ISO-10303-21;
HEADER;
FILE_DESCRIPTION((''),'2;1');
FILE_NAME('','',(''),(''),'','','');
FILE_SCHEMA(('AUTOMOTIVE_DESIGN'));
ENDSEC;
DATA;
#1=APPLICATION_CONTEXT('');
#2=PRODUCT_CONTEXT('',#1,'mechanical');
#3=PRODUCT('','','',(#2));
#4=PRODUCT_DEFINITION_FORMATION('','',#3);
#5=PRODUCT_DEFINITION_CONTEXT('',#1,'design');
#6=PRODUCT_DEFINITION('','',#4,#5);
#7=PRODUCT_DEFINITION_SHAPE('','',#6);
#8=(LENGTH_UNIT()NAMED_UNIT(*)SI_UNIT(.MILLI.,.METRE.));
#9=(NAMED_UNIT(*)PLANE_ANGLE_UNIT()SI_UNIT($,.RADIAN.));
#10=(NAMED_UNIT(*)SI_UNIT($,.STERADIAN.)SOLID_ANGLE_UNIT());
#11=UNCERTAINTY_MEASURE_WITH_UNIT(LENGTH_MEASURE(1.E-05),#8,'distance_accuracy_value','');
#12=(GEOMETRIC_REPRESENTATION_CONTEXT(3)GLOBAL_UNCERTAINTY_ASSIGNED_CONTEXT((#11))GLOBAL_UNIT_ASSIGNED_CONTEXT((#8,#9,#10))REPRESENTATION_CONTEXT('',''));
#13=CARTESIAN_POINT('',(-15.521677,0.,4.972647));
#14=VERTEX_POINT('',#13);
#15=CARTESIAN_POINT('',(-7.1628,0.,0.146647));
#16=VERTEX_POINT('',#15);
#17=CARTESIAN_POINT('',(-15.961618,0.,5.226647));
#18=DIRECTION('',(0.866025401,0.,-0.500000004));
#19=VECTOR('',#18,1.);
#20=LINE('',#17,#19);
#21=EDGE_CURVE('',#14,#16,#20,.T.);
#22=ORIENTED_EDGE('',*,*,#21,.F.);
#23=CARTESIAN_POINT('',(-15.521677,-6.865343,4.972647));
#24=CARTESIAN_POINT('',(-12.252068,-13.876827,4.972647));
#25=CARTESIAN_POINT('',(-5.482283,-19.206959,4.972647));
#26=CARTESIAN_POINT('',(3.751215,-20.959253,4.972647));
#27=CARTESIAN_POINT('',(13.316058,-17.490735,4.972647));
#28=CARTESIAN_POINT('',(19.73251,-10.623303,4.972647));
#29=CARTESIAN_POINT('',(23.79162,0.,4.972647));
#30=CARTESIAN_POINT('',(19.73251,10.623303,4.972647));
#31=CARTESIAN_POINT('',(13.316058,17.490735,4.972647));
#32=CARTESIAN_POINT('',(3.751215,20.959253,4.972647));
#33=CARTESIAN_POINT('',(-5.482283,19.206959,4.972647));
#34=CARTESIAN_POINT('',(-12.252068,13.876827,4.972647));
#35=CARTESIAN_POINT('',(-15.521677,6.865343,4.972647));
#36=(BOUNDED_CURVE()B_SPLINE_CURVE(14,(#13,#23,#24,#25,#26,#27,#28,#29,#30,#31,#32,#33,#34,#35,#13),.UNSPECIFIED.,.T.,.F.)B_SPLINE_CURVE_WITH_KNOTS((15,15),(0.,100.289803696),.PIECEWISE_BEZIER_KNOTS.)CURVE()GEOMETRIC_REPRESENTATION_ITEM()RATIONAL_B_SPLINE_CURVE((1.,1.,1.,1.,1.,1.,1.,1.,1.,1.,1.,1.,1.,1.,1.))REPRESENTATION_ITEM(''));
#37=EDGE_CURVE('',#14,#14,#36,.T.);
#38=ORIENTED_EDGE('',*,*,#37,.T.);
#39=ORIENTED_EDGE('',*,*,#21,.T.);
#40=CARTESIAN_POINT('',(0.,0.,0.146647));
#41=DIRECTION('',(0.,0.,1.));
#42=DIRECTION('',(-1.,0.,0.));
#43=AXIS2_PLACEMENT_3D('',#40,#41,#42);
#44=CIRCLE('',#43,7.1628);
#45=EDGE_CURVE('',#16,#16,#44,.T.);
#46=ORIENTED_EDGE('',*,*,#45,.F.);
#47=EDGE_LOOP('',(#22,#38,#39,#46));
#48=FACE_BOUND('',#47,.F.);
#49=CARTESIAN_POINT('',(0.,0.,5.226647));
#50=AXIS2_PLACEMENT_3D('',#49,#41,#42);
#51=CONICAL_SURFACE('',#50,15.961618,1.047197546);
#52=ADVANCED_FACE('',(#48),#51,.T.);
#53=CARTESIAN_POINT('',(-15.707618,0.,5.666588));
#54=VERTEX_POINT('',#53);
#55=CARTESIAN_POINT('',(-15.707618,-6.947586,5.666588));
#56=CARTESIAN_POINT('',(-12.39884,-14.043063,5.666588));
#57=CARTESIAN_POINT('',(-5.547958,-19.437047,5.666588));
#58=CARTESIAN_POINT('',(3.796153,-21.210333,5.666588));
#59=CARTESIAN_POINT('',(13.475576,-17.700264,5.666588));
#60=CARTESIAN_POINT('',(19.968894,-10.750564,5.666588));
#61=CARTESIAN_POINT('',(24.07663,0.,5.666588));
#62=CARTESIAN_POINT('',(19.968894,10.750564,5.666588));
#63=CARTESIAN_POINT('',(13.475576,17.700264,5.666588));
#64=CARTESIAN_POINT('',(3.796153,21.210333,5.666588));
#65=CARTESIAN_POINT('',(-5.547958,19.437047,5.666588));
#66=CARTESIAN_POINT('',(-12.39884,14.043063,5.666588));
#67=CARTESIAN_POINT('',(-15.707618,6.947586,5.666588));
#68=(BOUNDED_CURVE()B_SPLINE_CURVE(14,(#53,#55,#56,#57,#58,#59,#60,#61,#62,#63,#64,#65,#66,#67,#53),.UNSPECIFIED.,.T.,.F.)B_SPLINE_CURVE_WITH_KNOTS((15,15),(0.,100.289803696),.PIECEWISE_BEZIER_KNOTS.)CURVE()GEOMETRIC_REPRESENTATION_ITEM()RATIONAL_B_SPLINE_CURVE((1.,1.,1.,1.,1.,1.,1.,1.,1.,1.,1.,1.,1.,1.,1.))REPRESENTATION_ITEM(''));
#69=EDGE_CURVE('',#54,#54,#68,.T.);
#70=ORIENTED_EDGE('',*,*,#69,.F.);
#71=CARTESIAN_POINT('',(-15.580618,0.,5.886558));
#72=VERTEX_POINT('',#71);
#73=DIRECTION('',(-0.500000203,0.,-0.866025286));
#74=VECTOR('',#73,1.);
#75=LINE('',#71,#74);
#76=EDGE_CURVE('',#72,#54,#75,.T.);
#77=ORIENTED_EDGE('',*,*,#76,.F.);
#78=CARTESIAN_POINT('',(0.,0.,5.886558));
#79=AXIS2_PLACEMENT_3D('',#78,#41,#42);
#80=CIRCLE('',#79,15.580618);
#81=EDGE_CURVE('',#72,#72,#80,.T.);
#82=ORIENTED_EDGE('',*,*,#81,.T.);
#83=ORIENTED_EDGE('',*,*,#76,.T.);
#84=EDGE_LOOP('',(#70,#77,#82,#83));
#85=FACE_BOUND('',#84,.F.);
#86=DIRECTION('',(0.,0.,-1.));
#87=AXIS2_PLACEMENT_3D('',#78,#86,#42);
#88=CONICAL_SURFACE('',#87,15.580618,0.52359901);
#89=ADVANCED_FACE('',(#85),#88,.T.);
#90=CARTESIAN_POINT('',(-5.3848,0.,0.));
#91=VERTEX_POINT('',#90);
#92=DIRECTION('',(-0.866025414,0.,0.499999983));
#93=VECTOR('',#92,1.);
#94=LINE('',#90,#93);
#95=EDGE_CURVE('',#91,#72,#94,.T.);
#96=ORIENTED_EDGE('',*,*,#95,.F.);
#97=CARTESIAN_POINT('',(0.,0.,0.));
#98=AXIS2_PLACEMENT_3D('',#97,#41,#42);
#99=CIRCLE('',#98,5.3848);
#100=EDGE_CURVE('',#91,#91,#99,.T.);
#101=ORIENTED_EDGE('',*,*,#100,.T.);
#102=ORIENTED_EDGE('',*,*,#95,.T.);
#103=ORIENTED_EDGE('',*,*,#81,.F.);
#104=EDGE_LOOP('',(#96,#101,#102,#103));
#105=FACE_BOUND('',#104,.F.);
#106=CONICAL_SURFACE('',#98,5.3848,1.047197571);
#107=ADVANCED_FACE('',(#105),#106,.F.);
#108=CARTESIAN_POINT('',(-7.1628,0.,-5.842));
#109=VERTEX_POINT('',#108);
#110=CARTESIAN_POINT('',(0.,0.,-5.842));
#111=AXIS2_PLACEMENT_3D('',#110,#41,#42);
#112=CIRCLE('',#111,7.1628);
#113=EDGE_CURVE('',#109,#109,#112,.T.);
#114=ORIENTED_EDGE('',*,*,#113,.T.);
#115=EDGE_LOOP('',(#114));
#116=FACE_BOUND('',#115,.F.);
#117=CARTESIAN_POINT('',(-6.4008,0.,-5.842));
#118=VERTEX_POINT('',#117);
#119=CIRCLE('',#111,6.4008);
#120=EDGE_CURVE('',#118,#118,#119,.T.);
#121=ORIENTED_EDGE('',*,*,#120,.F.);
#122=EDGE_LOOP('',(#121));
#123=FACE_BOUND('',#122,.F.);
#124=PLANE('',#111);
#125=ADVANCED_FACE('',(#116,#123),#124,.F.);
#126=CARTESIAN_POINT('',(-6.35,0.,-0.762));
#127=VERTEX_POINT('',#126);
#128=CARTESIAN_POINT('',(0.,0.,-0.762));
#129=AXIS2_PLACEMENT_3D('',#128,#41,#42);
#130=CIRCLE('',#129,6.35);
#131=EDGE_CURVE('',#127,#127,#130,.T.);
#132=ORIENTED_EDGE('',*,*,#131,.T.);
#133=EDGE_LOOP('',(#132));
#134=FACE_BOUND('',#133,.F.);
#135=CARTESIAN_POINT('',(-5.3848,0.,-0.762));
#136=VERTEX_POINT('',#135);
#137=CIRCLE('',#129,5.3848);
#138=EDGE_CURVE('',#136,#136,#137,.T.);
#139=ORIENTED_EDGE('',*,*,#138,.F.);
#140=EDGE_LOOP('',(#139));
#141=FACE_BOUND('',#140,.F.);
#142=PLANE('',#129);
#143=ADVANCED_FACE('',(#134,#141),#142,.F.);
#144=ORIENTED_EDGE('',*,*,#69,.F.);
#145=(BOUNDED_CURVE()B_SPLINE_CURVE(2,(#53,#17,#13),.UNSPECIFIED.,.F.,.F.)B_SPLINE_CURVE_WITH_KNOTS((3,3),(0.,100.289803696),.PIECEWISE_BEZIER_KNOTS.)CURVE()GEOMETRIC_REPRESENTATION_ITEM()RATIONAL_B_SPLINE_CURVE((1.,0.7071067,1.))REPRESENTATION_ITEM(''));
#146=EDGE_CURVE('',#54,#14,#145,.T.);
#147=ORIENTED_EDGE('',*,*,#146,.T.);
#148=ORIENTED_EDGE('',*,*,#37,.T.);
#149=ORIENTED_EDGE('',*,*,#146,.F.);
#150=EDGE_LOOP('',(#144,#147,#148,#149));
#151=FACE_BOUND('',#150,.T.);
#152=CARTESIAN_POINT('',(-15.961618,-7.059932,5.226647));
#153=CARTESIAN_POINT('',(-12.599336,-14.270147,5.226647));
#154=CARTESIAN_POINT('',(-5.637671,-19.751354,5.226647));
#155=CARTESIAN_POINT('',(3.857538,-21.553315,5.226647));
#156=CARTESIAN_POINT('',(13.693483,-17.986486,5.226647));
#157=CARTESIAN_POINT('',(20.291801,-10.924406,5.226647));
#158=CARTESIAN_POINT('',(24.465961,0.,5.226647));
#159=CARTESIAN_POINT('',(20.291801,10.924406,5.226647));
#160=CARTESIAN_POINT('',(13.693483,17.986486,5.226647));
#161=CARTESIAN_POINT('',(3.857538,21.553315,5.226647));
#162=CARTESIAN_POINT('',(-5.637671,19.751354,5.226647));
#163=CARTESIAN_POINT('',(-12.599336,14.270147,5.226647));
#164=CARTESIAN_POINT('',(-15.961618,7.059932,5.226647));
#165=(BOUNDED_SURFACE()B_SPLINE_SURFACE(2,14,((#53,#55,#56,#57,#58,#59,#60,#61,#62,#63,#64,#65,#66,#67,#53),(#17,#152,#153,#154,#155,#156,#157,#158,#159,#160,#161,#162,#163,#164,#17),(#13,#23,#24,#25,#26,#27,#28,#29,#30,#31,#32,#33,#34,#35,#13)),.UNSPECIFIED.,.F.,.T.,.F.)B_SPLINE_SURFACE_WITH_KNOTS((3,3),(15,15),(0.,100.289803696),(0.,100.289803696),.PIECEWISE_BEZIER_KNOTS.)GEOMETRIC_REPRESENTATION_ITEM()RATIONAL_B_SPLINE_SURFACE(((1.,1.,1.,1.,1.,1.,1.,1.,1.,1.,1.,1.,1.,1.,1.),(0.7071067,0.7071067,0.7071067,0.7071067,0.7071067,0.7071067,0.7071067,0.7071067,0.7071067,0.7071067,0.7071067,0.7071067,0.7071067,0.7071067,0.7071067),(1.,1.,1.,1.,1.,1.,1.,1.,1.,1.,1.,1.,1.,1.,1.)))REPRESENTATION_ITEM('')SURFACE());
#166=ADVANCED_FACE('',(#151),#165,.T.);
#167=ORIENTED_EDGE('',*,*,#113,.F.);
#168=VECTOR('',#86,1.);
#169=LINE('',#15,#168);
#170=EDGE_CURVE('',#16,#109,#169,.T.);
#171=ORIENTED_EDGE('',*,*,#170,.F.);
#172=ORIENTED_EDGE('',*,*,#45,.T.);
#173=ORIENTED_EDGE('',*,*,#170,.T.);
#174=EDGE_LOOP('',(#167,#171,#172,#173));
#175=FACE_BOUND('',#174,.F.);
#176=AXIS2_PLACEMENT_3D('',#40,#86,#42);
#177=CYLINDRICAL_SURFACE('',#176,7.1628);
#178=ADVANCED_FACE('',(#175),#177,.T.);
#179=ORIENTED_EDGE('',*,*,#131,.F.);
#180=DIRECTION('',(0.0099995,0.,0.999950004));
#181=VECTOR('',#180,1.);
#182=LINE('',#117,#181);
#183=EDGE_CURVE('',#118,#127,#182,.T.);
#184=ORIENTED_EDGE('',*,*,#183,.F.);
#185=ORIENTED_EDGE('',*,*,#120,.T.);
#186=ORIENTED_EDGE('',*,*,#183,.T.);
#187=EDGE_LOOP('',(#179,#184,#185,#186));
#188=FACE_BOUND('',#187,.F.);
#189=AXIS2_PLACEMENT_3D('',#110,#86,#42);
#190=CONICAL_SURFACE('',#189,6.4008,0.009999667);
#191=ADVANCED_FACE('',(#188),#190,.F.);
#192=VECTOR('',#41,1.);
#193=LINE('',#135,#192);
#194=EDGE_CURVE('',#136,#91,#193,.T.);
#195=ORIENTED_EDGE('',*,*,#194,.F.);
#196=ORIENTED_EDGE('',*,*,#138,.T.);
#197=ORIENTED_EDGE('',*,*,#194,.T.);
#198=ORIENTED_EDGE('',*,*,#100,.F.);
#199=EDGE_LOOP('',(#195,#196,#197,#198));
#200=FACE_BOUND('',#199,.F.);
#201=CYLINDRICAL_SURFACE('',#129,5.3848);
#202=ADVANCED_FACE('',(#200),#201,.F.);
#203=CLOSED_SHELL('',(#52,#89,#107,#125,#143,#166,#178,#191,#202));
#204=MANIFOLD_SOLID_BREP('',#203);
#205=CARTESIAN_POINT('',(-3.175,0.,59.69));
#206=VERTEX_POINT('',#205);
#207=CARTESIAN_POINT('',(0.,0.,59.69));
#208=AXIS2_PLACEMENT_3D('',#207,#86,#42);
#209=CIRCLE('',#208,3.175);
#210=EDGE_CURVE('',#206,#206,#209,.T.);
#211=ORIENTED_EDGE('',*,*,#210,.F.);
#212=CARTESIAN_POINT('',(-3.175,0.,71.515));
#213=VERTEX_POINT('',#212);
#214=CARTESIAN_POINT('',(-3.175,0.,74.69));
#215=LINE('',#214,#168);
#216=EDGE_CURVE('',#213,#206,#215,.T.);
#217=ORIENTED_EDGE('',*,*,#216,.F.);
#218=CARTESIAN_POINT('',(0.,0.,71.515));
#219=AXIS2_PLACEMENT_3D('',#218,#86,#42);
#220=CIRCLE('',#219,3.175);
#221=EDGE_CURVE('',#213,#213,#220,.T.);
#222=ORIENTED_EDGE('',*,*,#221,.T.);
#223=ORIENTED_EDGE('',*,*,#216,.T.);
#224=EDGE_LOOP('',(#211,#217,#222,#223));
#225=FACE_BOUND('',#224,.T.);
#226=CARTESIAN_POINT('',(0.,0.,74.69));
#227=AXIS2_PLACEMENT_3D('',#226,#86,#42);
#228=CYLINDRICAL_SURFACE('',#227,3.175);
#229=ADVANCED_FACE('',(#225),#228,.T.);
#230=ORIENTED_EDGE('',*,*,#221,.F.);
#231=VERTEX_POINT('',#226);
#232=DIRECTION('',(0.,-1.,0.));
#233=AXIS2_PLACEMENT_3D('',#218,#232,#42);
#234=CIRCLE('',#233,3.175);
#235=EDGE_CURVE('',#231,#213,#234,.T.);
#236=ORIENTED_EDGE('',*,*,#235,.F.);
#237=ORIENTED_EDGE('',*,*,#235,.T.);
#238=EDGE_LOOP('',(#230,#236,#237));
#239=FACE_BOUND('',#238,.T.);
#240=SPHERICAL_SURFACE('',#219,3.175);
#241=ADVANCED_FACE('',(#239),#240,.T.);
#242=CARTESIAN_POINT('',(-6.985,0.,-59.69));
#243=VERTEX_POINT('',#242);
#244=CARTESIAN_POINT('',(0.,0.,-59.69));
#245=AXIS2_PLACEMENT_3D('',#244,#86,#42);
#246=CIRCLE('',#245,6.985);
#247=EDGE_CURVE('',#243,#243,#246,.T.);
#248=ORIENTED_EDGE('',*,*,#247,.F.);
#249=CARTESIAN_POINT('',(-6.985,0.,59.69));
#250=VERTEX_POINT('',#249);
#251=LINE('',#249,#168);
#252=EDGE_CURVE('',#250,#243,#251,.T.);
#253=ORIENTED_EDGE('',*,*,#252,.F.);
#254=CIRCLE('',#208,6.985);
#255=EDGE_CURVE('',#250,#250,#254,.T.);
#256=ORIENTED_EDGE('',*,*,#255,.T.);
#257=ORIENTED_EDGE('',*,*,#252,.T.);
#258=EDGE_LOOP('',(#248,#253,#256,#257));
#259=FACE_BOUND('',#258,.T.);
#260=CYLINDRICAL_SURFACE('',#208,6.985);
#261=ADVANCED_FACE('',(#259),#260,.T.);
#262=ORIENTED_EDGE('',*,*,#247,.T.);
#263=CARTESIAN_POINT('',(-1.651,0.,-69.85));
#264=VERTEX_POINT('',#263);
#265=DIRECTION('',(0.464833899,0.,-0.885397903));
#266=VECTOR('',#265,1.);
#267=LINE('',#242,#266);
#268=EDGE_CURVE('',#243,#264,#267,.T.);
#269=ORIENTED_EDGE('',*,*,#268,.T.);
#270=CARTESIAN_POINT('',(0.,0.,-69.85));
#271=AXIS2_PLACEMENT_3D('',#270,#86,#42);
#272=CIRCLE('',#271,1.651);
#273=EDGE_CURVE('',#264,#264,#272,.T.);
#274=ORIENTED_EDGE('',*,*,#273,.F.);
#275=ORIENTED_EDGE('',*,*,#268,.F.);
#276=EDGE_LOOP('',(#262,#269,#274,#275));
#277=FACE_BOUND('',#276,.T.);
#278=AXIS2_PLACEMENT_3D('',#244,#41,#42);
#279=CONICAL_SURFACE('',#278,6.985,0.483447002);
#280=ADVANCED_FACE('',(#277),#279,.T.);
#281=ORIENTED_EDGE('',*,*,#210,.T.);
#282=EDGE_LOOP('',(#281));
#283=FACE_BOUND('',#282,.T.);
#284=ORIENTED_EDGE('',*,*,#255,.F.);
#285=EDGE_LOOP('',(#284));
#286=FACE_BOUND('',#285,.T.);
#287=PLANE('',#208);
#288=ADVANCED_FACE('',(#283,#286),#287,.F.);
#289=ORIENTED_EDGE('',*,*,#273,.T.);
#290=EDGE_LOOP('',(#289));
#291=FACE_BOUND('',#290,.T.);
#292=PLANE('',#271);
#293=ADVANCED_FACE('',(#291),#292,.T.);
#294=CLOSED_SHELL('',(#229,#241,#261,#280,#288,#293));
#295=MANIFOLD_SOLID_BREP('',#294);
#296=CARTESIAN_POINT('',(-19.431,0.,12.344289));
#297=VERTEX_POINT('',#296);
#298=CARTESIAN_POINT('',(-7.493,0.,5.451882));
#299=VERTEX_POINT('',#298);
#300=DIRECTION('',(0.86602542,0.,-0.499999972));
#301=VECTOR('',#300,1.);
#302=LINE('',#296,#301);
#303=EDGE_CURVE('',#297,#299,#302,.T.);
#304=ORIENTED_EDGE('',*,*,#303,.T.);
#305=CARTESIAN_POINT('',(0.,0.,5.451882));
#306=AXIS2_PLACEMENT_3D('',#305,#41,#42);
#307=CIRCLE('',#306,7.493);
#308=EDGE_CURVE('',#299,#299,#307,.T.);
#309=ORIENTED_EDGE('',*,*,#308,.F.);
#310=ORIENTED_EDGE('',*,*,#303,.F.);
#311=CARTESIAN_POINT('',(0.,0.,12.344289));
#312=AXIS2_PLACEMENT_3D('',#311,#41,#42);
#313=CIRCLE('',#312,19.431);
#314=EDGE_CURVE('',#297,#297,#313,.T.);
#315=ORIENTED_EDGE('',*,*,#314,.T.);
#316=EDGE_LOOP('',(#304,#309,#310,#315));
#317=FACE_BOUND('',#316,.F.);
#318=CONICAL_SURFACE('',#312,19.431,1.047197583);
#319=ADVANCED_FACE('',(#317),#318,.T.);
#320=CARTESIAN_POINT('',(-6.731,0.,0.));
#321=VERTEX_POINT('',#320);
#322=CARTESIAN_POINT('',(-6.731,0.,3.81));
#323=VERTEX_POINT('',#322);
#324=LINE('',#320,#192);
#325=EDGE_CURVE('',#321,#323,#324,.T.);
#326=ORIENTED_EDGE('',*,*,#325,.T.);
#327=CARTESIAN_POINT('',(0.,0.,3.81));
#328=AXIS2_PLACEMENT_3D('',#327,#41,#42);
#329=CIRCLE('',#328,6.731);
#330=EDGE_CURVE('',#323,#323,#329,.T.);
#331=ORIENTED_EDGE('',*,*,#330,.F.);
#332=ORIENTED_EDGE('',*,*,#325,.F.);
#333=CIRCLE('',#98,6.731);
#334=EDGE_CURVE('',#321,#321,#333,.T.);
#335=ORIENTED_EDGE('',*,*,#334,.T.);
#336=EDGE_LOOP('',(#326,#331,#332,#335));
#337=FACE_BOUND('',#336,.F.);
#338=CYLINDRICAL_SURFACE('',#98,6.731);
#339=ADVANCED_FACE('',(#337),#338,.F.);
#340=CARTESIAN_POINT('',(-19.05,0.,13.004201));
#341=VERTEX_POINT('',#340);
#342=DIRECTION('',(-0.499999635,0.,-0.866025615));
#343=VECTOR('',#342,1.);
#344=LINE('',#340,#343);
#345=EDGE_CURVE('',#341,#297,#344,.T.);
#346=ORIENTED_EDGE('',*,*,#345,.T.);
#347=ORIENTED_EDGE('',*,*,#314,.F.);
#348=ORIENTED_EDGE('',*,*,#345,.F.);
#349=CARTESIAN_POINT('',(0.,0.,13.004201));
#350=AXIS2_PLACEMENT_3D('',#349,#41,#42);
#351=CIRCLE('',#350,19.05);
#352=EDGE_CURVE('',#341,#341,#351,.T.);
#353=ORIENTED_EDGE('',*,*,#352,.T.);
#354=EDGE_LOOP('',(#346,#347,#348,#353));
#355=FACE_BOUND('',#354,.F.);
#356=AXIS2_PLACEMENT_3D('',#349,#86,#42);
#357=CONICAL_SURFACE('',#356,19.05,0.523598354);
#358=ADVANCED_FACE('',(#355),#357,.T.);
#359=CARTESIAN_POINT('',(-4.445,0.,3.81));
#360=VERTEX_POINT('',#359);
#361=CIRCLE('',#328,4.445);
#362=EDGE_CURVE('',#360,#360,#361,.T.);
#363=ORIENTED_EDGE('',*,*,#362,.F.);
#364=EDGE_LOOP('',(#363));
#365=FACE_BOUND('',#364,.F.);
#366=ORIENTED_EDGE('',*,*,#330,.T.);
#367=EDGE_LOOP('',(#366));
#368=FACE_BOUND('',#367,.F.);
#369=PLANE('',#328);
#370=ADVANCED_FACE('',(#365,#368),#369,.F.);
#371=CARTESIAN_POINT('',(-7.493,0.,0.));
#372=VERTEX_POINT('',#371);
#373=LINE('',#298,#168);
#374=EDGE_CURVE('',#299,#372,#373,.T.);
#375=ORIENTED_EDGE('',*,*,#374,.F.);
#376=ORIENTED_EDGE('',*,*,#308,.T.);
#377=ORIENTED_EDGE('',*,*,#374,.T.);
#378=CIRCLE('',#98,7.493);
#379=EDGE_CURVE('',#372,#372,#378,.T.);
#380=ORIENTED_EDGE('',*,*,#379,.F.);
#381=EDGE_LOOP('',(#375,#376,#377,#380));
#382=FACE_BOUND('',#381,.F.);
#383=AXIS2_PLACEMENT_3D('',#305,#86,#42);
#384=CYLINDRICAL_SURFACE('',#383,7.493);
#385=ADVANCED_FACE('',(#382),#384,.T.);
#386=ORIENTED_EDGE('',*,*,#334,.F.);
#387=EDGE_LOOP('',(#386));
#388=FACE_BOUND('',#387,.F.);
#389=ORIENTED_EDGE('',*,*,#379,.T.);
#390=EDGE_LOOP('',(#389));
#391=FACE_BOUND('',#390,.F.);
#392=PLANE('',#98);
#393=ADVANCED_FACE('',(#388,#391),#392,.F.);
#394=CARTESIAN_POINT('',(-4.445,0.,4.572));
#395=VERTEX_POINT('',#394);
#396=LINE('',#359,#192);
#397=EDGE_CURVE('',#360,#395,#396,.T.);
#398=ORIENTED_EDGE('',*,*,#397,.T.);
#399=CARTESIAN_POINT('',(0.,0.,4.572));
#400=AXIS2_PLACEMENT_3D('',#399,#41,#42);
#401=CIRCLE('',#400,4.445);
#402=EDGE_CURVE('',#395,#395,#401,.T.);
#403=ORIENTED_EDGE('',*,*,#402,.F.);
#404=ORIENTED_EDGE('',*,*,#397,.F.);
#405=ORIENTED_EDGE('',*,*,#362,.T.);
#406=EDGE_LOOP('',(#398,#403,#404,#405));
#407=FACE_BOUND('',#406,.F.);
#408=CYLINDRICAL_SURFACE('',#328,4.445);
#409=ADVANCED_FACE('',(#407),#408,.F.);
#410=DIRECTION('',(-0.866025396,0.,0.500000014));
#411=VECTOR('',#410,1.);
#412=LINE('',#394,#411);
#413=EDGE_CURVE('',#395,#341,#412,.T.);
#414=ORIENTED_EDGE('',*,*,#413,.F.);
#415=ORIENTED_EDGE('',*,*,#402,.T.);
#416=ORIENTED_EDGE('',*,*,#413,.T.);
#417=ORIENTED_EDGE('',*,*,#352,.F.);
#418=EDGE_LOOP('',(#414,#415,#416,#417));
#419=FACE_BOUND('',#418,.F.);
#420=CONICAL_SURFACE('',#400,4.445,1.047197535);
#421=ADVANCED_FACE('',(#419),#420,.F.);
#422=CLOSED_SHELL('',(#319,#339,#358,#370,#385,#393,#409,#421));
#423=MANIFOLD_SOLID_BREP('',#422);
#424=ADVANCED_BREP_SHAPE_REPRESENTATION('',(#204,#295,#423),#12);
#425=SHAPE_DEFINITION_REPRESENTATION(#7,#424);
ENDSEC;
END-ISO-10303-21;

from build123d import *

# Parameters (mm, degrees)
F4_R = 3.175
F7_R = 0.508


with BuildPart() as f1:
    # F0 (on Front) → F1 (revolve)
    with BuildSketch(Plane.XZ):
        Polygon((-4.445, 3.81), (-4.445, 4.572), (-19.05, 13.004201), (-19.431, 12.344289), (-7.493, 5.451882), (-7.493, 0), (-6.731, 0), (-6.731, 3.81), align=None)
    revolve(axis=Axis((0, 0, 10.120624), (0, 0, 1)))


with BuildPart() as f3:
    # F2 (on Front) → F3 (revolve)
    with BuildSketch(Plane.XZ):
        Polygon((0, -69.85), (0, 74.69), (-3.175, 74.69), (-3.175, 59.69), (-6.985, 59.69), (-6.985, -59.69), (-1.651, -69.85), align=None)
    revolve(axis=Axis((0, 0, 2.42), (0, 0, -1)))

    # F4
    f4_edges = [f3.edges().sort_by_distance(p)[0] for p in [
        (3.175, 0, 74.69),
    ]]
    fillet(f4_edges, radius=F4_R)


with BuildPart() as f6:
    # F5 (on Front) → F6 (revolve)
    with BuildSketch(Plane.XZ):
        Polygon((-5.3848, -0.762), (-5.3848, 0), (-15.580618, 5.886558), (-15.961618, 5.226647), (-7.1628, 0.146647), (-7.1628, -5.842), (-6.4008, -5.842), (-6.35, -0.762), align=None)
    revolve(axis=Axis((0, 0, 0), (0, 0, 1)))

    # F7
    f7_edges = [f6.edges().sort_by_distance(p)[0] for p in [
        (15.961618, 0, 5.226647),
    ]]
    fillet(f7_edges, radius=F7_R)


solid = Compound([f1.part, f3.part, f6.part])
